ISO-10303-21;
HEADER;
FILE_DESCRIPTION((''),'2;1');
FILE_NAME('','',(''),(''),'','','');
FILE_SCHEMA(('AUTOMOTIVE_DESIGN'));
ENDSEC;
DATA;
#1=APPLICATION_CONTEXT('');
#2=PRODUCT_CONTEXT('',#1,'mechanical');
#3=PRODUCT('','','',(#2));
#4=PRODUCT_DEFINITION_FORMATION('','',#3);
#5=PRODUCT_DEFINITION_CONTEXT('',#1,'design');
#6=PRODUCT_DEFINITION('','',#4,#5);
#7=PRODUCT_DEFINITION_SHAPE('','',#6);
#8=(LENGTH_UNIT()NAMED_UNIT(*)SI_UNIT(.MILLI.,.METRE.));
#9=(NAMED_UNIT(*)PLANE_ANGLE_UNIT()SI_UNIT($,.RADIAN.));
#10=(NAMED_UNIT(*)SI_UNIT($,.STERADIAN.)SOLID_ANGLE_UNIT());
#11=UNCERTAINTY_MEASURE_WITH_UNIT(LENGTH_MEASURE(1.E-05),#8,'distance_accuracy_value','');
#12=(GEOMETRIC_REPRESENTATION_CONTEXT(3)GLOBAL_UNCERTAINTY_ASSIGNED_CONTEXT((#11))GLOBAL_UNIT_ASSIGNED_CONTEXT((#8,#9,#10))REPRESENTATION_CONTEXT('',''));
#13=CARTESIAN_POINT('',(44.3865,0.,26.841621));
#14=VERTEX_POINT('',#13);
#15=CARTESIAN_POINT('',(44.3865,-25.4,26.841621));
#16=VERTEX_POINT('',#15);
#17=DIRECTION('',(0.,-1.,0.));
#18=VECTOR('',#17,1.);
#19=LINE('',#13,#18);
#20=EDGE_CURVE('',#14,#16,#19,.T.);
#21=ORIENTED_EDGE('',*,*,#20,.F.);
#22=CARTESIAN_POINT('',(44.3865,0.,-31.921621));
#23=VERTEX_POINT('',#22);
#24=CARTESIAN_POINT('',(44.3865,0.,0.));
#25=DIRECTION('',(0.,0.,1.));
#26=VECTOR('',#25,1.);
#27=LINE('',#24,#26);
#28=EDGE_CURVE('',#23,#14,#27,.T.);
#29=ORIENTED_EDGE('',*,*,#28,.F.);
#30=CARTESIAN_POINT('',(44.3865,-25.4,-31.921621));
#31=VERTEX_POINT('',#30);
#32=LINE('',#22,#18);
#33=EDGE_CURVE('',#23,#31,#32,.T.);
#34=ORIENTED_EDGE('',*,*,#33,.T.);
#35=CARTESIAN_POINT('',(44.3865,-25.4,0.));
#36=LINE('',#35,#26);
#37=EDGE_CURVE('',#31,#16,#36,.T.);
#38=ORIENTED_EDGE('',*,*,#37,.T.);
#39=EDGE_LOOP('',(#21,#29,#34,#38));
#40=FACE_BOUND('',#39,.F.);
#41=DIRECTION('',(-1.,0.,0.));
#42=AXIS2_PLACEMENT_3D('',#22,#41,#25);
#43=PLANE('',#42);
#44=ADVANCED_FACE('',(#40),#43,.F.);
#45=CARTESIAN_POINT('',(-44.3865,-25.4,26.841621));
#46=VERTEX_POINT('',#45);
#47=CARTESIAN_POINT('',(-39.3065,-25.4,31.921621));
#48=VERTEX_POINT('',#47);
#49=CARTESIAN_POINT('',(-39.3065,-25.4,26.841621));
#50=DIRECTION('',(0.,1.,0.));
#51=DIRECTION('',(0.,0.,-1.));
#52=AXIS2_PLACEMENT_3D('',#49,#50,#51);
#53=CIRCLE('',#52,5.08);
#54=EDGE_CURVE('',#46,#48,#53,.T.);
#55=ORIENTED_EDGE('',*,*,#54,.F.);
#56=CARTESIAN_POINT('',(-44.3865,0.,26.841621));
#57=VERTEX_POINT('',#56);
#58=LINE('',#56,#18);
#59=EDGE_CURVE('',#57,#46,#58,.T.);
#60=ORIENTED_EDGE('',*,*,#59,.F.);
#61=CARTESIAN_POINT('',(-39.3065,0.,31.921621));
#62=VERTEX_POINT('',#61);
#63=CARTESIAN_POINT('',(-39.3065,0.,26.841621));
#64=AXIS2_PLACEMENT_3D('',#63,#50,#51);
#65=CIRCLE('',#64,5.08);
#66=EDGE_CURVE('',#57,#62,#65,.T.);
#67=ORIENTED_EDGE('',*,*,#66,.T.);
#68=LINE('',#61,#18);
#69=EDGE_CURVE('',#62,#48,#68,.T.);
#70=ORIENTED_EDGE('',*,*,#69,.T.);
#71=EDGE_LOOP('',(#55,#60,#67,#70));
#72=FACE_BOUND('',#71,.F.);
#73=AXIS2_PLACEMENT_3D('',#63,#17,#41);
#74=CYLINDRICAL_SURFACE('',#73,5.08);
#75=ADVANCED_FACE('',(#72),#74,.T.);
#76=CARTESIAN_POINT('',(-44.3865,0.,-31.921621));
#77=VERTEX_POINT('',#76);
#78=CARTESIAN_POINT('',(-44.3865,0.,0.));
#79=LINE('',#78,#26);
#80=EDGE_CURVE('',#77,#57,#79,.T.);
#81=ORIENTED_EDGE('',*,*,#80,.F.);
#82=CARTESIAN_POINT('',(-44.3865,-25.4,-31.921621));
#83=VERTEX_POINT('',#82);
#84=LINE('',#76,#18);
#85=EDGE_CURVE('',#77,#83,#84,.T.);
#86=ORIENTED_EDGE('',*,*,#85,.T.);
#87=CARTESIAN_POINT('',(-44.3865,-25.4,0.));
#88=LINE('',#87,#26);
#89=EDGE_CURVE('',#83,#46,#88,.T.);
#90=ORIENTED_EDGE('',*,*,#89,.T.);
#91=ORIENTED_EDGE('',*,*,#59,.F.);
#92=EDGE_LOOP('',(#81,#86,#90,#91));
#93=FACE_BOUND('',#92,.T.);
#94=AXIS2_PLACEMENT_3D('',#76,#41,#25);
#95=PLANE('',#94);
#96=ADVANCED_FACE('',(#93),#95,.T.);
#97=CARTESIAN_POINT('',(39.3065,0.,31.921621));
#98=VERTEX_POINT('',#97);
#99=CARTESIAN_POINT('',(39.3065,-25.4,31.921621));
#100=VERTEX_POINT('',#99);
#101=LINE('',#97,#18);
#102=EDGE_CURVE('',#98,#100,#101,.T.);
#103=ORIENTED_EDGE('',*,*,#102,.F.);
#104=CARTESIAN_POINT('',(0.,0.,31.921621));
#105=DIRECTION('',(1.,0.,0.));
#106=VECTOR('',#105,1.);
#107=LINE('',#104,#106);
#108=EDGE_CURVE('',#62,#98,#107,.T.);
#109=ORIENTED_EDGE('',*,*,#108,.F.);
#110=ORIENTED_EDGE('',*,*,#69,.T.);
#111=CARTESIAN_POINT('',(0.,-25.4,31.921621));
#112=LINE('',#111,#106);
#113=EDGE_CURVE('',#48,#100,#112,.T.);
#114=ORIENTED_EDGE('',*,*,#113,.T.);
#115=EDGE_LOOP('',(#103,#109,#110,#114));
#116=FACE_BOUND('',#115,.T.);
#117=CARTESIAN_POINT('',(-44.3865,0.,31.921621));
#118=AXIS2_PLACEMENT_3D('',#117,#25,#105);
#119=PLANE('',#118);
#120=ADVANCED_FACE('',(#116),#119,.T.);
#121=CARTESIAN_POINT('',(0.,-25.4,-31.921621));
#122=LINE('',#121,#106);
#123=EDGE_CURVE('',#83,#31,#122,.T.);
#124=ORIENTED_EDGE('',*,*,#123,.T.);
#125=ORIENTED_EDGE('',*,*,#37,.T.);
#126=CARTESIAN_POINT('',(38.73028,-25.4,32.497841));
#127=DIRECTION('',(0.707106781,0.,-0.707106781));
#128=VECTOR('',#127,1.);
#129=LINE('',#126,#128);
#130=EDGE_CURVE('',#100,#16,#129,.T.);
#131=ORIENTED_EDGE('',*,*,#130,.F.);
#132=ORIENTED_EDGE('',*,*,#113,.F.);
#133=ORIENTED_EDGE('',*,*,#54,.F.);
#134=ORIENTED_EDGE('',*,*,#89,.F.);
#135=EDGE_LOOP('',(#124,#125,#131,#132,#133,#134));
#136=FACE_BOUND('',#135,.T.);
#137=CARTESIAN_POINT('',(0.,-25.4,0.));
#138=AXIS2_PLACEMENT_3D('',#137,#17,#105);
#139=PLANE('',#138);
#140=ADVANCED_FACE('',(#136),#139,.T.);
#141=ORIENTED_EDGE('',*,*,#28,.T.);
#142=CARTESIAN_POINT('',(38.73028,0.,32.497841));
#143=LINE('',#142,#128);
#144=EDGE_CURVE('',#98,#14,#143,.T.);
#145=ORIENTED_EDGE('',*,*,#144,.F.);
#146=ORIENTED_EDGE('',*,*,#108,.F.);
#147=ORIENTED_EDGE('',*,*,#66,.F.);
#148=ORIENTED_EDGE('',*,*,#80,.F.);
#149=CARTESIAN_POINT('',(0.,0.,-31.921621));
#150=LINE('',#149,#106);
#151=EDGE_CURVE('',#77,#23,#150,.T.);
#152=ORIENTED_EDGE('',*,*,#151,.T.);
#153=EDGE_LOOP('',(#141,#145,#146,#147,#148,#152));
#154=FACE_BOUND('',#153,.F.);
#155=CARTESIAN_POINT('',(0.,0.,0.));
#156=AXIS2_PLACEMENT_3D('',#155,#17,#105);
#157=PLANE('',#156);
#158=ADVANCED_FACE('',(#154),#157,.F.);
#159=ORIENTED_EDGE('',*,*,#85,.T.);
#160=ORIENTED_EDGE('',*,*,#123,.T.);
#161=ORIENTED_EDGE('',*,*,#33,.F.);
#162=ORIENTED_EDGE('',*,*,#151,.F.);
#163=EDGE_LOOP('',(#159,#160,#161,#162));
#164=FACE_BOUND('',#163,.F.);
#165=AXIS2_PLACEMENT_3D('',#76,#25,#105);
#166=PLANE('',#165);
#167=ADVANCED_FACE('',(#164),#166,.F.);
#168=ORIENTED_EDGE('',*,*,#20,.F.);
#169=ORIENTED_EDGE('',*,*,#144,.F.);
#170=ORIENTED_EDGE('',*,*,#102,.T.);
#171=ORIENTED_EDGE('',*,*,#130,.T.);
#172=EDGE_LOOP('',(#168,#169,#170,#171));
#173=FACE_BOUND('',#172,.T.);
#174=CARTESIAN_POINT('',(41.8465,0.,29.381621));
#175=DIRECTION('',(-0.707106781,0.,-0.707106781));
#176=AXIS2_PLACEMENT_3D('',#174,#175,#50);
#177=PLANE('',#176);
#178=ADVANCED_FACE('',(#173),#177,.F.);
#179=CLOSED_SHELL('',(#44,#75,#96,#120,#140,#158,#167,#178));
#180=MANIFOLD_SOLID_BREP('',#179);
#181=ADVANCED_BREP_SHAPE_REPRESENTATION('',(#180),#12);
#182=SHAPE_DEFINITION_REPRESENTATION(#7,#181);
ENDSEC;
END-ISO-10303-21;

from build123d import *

# Parameters (mm, degrees)
F0_W     = 88.773
F0_H     = 63.843242
F1_DEPTH = 25.4
F2_R     = 5.08
F3_SIZE  = 5.08


with BuildPart() as f1:
    # F0 (on Front) → F1 (new body)
    with BuildSketch(Plane.XZ):
        Rectangle(F0_W, F0_H)
    extrude(amount=F1_DEPTH)

    # F2
    f2_edges = [f1.edges().sort_by_distance(p)[0] for p in [
        (-44.3865, -12.7, 31.921621),
    ]]
    fillet(f2_edges, radius=F2_R)

    # F3
    f3_edges = [f1.edges().sort_by_distance(p)[0] for p in [
        (44.3865, -12.7, 31.921621),
    ]]
    chamfer(f3_edges, length=F3_SIZE)


solid = f1.part
